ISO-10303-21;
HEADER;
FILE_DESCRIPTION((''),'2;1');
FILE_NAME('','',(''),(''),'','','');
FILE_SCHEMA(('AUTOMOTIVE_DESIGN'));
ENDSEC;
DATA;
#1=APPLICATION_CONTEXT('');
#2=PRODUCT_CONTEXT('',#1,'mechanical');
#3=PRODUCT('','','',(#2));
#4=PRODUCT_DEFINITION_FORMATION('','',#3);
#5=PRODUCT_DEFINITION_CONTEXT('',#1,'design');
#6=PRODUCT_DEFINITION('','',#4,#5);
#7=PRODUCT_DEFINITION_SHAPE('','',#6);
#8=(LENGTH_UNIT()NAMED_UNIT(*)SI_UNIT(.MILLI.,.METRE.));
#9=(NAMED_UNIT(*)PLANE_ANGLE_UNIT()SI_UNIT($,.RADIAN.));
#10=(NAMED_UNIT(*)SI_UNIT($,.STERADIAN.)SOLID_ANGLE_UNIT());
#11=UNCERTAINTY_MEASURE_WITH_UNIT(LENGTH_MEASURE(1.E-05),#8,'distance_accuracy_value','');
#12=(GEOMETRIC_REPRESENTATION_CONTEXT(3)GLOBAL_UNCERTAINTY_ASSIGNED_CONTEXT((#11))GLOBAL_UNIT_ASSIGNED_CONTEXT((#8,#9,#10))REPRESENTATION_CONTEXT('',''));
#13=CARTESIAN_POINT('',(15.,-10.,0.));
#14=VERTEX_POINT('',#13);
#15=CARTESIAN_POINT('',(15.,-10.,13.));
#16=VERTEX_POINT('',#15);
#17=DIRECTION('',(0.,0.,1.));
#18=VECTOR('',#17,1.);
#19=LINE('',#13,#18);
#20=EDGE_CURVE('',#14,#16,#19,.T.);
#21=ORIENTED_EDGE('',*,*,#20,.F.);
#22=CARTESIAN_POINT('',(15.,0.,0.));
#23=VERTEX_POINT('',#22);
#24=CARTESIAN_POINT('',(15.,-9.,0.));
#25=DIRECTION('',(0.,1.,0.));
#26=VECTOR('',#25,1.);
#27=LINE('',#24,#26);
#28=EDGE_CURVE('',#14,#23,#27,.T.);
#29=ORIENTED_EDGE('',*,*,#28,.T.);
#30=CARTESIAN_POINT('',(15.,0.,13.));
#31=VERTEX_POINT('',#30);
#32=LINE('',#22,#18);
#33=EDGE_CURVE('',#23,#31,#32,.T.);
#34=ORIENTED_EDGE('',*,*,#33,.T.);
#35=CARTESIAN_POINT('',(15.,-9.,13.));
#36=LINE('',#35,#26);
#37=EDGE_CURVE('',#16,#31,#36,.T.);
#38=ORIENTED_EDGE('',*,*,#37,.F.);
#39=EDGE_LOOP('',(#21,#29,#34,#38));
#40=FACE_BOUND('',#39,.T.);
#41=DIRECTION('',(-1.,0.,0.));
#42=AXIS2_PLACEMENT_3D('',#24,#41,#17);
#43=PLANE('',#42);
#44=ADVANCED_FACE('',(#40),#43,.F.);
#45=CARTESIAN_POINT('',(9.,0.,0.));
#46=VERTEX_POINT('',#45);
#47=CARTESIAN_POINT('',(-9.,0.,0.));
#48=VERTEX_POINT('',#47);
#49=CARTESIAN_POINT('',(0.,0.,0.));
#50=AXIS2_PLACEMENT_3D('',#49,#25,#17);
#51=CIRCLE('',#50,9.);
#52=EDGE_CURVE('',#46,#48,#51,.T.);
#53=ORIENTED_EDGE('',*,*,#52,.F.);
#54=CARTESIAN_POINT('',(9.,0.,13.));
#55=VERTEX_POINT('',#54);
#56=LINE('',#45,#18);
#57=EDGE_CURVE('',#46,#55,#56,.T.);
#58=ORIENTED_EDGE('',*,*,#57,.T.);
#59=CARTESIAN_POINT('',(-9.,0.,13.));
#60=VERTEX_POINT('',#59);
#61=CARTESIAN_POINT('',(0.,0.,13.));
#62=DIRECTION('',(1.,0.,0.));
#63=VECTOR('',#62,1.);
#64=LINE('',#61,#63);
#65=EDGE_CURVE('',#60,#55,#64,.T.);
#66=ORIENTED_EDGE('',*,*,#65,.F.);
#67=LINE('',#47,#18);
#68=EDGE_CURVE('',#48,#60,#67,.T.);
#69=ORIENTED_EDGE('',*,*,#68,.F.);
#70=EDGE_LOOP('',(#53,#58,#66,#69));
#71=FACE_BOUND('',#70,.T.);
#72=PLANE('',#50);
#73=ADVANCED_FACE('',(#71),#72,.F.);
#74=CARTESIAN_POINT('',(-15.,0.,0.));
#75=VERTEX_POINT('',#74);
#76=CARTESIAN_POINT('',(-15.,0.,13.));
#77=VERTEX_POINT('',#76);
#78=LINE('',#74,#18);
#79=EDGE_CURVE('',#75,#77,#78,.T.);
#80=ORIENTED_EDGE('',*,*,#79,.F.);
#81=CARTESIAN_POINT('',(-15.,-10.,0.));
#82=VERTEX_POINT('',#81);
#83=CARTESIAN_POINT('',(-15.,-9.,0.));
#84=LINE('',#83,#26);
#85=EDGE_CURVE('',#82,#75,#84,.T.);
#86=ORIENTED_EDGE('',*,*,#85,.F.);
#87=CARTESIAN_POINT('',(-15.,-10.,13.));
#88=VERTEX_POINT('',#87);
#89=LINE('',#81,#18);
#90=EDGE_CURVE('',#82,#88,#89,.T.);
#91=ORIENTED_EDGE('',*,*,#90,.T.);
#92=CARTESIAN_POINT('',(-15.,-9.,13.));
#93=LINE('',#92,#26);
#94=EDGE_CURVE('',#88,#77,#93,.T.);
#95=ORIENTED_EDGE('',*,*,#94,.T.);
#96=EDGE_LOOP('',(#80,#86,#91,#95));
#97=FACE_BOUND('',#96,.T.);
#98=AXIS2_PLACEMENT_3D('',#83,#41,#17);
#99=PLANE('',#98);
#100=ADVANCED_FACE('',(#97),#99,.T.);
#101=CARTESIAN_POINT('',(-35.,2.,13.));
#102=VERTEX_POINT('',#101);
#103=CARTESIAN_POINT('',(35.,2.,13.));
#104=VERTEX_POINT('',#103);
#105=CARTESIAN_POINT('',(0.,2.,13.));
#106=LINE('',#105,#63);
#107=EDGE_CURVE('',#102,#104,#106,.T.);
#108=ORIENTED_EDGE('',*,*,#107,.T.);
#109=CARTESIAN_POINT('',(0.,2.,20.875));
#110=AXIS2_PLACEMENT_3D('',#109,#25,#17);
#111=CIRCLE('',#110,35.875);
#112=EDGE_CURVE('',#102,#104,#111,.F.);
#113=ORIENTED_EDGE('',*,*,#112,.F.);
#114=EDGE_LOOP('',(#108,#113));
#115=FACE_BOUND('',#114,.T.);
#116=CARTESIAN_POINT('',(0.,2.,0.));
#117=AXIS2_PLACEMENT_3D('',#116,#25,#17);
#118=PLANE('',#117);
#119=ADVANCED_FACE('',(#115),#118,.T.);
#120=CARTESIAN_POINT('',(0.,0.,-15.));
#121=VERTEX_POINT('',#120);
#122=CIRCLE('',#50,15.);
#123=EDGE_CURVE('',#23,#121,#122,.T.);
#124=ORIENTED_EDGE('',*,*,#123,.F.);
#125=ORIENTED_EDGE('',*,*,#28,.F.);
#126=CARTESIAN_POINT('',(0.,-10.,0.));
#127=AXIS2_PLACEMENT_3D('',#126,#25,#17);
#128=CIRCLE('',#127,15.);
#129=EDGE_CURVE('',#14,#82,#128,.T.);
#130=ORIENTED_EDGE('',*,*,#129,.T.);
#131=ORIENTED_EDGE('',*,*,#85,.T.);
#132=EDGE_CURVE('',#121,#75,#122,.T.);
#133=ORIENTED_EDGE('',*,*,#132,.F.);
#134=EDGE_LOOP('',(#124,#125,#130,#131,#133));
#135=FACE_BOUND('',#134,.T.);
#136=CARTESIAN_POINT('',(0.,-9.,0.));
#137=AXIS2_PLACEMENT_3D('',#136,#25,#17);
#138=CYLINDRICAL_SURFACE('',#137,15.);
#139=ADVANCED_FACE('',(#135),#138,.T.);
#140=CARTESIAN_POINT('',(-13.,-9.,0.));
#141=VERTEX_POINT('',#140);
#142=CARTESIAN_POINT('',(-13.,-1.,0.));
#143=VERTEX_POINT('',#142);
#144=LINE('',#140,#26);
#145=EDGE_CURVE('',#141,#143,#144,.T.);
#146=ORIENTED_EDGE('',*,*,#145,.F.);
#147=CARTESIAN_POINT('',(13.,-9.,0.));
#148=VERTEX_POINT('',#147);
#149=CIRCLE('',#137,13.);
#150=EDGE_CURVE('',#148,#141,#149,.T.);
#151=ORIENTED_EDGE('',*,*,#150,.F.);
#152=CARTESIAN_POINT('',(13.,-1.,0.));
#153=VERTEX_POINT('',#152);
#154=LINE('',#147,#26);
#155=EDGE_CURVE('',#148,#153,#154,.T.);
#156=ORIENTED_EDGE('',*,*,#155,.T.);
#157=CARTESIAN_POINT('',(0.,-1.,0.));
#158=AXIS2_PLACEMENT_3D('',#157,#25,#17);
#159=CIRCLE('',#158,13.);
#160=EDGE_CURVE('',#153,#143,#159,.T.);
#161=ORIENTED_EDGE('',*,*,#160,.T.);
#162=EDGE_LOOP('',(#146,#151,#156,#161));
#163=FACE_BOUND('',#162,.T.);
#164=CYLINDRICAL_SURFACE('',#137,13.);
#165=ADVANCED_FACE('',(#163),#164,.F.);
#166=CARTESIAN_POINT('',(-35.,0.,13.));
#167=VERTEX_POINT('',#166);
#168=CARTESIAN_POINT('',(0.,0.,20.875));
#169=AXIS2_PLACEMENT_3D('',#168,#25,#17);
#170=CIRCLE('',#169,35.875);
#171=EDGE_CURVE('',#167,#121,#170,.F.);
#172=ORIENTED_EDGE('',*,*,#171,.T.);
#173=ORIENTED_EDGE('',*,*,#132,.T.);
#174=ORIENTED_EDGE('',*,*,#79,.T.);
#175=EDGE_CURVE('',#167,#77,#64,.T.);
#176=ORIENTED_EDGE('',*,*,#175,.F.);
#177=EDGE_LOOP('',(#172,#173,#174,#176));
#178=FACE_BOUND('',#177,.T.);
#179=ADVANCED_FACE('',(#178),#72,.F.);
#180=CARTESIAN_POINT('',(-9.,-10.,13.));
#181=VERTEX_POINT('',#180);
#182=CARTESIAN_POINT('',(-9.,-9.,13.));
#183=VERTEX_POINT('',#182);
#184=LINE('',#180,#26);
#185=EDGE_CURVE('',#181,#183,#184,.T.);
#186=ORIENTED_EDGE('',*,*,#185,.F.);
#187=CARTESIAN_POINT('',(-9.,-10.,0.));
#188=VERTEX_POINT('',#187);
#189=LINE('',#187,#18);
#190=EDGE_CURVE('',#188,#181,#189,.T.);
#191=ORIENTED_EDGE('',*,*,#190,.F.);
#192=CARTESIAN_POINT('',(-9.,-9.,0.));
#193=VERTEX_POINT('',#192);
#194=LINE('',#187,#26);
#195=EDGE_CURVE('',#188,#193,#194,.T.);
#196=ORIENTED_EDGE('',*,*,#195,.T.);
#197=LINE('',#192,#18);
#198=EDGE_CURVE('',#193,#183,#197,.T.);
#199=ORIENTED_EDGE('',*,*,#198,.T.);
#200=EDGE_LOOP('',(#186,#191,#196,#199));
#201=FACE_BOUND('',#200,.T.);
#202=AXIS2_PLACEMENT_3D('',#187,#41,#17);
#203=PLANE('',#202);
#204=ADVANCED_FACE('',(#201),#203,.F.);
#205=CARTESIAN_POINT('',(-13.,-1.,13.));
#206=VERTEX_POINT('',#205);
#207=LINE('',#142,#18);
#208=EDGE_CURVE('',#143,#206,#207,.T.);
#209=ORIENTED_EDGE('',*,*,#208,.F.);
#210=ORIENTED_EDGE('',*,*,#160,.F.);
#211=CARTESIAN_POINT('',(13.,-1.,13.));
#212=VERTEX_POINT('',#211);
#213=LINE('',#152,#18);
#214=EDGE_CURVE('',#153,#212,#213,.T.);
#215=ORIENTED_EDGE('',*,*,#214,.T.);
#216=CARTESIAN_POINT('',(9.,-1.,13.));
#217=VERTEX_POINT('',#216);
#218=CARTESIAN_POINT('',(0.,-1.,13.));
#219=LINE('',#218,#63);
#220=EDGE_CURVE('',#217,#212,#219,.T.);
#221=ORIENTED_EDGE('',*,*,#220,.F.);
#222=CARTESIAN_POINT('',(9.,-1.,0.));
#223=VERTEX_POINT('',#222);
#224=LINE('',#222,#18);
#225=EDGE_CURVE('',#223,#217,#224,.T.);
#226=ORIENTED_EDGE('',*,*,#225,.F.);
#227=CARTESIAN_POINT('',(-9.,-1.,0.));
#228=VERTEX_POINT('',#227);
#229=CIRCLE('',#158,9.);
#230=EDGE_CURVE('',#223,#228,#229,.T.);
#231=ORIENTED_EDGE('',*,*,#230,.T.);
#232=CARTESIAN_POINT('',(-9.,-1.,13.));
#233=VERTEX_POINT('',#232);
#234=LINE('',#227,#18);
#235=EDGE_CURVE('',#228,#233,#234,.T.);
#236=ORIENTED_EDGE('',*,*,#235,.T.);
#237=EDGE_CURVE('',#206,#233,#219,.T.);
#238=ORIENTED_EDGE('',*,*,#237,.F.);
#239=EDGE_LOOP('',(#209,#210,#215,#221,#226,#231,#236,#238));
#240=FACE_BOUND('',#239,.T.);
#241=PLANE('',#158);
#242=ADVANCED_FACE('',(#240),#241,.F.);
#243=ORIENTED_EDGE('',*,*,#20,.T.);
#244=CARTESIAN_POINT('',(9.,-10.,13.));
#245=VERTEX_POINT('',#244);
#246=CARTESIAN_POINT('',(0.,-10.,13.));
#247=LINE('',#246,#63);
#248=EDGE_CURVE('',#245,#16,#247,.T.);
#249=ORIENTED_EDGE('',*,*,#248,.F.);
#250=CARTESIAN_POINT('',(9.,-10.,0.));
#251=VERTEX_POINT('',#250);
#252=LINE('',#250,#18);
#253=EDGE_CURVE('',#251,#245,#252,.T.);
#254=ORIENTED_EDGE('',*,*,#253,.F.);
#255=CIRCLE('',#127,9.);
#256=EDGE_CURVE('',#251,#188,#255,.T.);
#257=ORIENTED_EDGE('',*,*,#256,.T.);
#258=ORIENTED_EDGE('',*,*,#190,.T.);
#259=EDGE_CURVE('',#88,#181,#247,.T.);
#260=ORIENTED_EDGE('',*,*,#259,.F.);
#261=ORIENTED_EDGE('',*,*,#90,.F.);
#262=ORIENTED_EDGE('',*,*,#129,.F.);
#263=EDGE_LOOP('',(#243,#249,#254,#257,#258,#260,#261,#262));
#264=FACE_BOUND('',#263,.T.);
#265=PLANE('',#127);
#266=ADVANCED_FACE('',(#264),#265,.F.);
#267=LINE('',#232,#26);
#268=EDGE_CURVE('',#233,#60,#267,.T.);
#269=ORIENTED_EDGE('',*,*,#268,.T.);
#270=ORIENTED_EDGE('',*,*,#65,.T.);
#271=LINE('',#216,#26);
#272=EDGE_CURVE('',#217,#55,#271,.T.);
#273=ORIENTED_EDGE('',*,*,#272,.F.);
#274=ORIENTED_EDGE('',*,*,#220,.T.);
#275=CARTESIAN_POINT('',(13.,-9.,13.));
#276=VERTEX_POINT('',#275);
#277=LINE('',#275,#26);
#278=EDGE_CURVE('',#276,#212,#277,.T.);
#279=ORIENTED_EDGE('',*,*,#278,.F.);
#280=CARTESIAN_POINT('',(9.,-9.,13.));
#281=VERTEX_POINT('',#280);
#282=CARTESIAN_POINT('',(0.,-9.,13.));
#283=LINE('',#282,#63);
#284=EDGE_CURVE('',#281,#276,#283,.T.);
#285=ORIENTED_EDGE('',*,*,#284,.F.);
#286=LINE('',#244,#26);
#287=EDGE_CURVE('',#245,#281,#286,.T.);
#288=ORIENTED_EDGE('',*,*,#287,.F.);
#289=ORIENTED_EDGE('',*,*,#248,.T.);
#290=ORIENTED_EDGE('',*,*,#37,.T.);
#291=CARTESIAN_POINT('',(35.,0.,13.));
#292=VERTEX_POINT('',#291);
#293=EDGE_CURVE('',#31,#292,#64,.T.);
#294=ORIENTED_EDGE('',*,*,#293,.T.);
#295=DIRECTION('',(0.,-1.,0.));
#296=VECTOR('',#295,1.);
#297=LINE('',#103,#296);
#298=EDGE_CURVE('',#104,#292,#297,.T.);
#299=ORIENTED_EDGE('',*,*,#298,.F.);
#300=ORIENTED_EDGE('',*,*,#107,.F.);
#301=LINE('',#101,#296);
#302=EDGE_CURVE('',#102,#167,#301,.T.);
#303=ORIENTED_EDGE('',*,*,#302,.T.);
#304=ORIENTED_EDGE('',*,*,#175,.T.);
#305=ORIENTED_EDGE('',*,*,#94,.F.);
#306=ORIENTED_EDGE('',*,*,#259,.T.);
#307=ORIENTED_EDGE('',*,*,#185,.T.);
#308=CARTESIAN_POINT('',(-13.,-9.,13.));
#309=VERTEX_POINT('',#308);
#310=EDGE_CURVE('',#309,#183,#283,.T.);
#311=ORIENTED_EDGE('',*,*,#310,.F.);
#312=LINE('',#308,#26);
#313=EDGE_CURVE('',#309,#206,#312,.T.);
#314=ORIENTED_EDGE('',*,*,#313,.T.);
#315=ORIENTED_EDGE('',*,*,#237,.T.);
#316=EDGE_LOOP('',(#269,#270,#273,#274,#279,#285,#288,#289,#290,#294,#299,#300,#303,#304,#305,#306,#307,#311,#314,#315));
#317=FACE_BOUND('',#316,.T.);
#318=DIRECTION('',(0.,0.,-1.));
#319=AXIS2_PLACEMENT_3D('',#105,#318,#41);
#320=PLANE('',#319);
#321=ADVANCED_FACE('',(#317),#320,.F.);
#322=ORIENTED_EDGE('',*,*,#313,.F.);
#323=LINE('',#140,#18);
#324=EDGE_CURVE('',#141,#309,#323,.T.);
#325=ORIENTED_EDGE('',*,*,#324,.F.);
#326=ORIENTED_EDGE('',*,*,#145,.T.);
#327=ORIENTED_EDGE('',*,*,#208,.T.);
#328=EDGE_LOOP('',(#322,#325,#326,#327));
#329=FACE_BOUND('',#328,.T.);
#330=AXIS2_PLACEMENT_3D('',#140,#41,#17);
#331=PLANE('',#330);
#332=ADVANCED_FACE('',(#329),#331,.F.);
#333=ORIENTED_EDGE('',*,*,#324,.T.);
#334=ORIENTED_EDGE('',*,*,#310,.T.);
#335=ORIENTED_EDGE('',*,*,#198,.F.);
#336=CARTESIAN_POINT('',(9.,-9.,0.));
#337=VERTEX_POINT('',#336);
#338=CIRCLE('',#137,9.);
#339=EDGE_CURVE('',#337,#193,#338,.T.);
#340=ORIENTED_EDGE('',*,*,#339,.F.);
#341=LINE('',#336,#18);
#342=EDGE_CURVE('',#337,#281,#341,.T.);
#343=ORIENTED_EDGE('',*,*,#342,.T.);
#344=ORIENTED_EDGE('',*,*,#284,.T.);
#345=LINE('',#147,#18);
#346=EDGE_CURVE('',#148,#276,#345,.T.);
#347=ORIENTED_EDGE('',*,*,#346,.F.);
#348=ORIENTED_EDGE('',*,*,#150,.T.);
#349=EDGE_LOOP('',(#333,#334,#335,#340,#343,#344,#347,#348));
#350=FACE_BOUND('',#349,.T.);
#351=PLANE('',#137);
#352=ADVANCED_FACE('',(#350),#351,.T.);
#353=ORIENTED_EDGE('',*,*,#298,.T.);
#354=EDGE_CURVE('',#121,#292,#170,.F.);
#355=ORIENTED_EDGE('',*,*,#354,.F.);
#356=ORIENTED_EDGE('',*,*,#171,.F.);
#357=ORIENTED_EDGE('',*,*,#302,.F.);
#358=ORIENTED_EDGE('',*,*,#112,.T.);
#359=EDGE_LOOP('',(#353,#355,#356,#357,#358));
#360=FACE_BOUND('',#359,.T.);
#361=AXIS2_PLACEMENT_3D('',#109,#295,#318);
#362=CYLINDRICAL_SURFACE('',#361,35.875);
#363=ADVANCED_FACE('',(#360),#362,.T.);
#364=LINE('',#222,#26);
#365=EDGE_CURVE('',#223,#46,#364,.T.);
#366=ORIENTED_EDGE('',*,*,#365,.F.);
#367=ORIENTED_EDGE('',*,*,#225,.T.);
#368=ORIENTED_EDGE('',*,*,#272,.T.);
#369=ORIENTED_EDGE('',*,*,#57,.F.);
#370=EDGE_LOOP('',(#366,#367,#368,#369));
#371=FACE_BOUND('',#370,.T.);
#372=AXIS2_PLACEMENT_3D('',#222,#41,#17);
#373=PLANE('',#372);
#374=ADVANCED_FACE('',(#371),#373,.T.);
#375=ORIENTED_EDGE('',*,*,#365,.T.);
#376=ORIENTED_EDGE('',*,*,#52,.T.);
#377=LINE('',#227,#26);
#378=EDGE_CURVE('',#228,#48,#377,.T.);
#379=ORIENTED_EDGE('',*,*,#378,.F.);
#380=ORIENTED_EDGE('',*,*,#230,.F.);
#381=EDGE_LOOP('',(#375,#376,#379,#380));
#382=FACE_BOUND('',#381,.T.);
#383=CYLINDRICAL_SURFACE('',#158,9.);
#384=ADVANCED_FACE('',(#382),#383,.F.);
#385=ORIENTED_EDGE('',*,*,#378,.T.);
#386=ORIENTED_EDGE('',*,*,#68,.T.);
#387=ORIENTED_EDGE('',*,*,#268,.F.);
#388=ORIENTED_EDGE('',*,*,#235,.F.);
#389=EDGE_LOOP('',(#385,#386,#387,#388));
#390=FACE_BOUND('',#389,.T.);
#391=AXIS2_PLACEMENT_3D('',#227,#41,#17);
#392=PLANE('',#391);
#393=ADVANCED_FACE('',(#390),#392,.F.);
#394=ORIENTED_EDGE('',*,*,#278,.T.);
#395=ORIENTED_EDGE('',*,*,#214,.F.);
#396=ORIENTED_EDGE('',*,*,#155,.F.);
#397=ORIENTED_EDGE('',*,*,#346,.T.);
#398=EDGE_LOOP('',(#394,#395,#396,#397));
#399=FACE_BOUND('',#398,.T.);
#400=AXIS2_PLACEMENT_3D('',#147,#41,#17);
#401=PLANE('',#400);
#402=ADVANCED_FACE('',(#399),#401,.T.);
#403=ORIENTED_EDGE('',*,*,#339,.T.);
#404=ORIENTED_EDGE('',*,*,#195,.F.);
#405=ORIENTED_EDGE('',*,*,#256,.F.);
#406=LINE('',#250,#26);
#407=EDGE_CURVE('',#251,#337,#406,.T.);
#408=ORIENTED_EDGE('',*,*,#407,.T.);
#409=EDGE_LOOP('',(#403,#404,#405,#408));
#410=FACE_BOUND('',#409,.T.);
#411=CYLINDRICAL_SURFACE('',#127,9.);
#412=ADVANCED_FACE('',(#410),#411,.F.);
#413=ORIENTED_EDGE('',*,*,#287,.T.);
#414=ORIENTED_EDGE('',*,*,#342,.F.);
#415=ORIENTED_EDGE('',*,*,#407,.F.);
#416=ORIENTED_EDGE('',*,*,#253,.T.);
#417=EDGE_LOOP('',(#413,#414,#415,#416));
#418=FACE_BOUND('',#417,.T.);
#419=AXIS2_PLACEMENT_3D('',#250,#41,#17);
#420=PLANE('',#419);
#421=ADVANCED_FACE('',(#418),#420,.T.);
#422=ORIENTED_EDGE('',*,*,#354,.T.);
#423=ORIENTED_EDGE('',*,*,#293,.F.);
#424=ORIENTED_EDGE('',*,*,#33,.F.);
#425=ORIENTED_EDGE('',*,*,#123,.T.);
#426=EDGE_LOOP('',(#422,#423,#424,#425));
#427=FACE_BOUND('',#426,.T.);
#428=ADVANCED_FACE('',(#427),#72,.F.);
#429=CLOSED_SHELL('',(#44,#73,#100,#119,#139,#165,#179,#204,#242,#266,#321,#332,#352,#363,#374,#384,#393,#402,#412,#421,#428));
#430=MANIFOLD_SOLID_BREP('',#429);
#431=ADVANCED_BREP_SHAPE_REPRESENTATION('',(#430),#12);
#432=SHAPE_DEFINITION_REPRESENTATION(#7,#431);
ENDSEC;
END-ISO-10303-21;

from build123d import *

# Parameters (mm, degrees)
BOSS_EXTRUDE1_DEPTH = 2
BOSS_EXTRUDE3_DEPTH = 9
BOSS_EXTRUDE4_DEPTH = 1
BOSS_EXTRUDE5_START = -9
BOSS_EXTRUDE5_DEPTH = 1


with BuildPart() as part:
    # Sketch1 → Boss-Extrude1 (new body)
    with BuildSketch(Plane(origin=(0, 0, 0), x_dir=(1, 0, 0), z_dir=(0, 1, 0))):
        with BuildLine():
            Line((-35, -13), (35, -13))
            ThreePointArc((35, -13), (0, 15), (-35, -13))
        make_face()
    extrude(amount=BOSS_EXTRUDE1_DEPTH)

    # Sketch1<5> → Boss-Extrude3 (add)
    with BuildSketch(Plane(origin=(0, 0, 0), x_dir=(1, 0, 0), z_dir=(0, 1, 0))):
        with BuildLine():
            ThreePointArc((9.437961603, 11.658682635), (4.766399393, 12.662994302), (6.3e-08, 13))
            ThreePointArc((6.3e-08, 13), (9.192388178, 9.192388133), (13, 0))
            Line((13, 0), (13, -13))
            Line((13, -13), (15, -13))
            Line((15, -13), (15, 0))
            ThreePointArc((15, 0), (13.538268428, 6.458737336), (9.437961603, 11.658682635))
        make_face()
        with BuildLine():
            ThreePointArc((-9.437961603, 11.658682635), (-4.76639933, 12.662994311), (6.3e-08, 13))
            ThreePointArc((6.3e-08, 13), (4.766399393, 12.662994302), (9.437961603, 11.658682635))
            ThreePointArc((9.437961603, 11.658682635), (5.005984494, 14.140018361), (1.09e-07, 15))
            ThreePointArc((1.09e-07, 15), (-5.005984391, 14.140018397), (-9.437961603, 11.658682635))
        make_face()
        with BuildLine():
            Line((-13, -13), (-13, 0))
            ThreePointArc((-13, 0), (-9.192388133, 9.192388178), (6.3e-08, 13))
            ThreePointArc((6.3e-08, 13), (-4.76639933, 12.662994311), (-9.437961603, 11.658682635))
            ThreePointArc((-9.437961603, 11.658682635), (-13.538268428, 6.458737336), (-15, 0))
            Line((-15, 0), (-15, -13))
            Line((-15, -13), (-13, -13))
        make_face()
    extrude(amount=-BOSS_EXTRUDE3_DEPTH)

    # Sketch1<6> → Boss-Extrude4 (add)
    with BuildSketch(Plane(origin=(0, 0, 0), x_dir=(1, 0, 0), z_dir=(0, 1, 0))):
        with BuildLine():
            ThreePointArc((6.3e-08, 13), (-9.192388133, 9.192388178), (-13, 0))
            Line((-13, 0), (-13, -13))
            Line((-13, -13), (-9, -13))
            Line((-9, -13), (-9, 0))
            ThreePointArc((-9, 0), (0, 9), (9, 0))
            Line((9, 0), (9, -13))
            Line((9, -13), (13, -13))
            Line((13, -13), (13, 0))
            ThreePointArc((13, 0), (9.192388178, 9.192388133), (6.3e-08, 13))
        make_face()
    extrude(amount=-BOSS_EXTRUDE4_DEPTH)

    # Sketch1<7> → Boss-Extrude5 (add)
    with BuildSketch(Plane(origin=(0, 0, 0), x_dir=(1, 0, 0), z_dir=(0, 1, 0)).offset(BOSS_EXTRUDE5_START)):
        with BuildLine():
            Line((-13, -13), (-13, 0))
            ThreePointArc((-13, 0), (-9.192388133, 9.192388178), (6.3e-08, 13))
            ThreePointArc((6.3e-08, 13), (-4.76639933, 12.662994311), (-9.437961603, 11.658682635))
            ThreePointArc((-9.437961603, 11.658682635), (-13.538268428, 6.458737336), (-15, 0))
            Line((-15, 0), (-15, -13))
            Line((-15, -13), (-13, -13))
        make_face()
        with BuildLine():
            ThreePointArc((-9.437961603, 11.658682635), (-4.76639933, 12.662994311), (6.3e-08, 13))
            ThreePointArc((6.3e-08, 13), (4.766399393, 12.662994302), (9.437961603, 11.658682635))
            ThreePointArc((9.437961603, 11.658682635), (5.005984494, 14.140018361), (1.09e-07, 15))
            ThreePointArc((1.09e-07, 15), (-5.005984391, 14.140018397), (-9.437961603, 11.658682635))
        make_face()
        with BuildLine():
            ThreePointArc((9.437961603, 11.658682635), (4.766399393, 12.662994302), (6.3e-08, 13))
            ThreePointArc((6.3e-08, 13), (9.192388178, 9.192388133), (13, 0))
            Line((13, 0), (13, -13))
            Line((13, -13), (15, -13))
            Line((15, -13), (15, 0))
            ThreePointArc((15, 0), (13.538268428, 6.458737336), (9.437961603, 11.658682635))
        make_face()
        with BuildLine():
            ThreePointArc((6.3e-08, 13), (-9.192388133, 9.192388178), (-13, 0))
            Line((-13, 0), (-13, -13))
            Line((-13, -13), (-9, -13))
            Line((-9, -13), (-9, 0))
            ThreePointArc((-9, 0), (0, 9), (9, 0))
            Line((9, 0), (9, -13))
            Line((9, -13), (13, -13))
            Line((13, -13), (13, 0))
            ThreePointArc((13, 0), (9.192388178, 9.192388133), (6.3e-08, 13))
        make_face()
    extrude(amount=-BOSS_EXTRUDE5_DEPTH)


solid = part.part
